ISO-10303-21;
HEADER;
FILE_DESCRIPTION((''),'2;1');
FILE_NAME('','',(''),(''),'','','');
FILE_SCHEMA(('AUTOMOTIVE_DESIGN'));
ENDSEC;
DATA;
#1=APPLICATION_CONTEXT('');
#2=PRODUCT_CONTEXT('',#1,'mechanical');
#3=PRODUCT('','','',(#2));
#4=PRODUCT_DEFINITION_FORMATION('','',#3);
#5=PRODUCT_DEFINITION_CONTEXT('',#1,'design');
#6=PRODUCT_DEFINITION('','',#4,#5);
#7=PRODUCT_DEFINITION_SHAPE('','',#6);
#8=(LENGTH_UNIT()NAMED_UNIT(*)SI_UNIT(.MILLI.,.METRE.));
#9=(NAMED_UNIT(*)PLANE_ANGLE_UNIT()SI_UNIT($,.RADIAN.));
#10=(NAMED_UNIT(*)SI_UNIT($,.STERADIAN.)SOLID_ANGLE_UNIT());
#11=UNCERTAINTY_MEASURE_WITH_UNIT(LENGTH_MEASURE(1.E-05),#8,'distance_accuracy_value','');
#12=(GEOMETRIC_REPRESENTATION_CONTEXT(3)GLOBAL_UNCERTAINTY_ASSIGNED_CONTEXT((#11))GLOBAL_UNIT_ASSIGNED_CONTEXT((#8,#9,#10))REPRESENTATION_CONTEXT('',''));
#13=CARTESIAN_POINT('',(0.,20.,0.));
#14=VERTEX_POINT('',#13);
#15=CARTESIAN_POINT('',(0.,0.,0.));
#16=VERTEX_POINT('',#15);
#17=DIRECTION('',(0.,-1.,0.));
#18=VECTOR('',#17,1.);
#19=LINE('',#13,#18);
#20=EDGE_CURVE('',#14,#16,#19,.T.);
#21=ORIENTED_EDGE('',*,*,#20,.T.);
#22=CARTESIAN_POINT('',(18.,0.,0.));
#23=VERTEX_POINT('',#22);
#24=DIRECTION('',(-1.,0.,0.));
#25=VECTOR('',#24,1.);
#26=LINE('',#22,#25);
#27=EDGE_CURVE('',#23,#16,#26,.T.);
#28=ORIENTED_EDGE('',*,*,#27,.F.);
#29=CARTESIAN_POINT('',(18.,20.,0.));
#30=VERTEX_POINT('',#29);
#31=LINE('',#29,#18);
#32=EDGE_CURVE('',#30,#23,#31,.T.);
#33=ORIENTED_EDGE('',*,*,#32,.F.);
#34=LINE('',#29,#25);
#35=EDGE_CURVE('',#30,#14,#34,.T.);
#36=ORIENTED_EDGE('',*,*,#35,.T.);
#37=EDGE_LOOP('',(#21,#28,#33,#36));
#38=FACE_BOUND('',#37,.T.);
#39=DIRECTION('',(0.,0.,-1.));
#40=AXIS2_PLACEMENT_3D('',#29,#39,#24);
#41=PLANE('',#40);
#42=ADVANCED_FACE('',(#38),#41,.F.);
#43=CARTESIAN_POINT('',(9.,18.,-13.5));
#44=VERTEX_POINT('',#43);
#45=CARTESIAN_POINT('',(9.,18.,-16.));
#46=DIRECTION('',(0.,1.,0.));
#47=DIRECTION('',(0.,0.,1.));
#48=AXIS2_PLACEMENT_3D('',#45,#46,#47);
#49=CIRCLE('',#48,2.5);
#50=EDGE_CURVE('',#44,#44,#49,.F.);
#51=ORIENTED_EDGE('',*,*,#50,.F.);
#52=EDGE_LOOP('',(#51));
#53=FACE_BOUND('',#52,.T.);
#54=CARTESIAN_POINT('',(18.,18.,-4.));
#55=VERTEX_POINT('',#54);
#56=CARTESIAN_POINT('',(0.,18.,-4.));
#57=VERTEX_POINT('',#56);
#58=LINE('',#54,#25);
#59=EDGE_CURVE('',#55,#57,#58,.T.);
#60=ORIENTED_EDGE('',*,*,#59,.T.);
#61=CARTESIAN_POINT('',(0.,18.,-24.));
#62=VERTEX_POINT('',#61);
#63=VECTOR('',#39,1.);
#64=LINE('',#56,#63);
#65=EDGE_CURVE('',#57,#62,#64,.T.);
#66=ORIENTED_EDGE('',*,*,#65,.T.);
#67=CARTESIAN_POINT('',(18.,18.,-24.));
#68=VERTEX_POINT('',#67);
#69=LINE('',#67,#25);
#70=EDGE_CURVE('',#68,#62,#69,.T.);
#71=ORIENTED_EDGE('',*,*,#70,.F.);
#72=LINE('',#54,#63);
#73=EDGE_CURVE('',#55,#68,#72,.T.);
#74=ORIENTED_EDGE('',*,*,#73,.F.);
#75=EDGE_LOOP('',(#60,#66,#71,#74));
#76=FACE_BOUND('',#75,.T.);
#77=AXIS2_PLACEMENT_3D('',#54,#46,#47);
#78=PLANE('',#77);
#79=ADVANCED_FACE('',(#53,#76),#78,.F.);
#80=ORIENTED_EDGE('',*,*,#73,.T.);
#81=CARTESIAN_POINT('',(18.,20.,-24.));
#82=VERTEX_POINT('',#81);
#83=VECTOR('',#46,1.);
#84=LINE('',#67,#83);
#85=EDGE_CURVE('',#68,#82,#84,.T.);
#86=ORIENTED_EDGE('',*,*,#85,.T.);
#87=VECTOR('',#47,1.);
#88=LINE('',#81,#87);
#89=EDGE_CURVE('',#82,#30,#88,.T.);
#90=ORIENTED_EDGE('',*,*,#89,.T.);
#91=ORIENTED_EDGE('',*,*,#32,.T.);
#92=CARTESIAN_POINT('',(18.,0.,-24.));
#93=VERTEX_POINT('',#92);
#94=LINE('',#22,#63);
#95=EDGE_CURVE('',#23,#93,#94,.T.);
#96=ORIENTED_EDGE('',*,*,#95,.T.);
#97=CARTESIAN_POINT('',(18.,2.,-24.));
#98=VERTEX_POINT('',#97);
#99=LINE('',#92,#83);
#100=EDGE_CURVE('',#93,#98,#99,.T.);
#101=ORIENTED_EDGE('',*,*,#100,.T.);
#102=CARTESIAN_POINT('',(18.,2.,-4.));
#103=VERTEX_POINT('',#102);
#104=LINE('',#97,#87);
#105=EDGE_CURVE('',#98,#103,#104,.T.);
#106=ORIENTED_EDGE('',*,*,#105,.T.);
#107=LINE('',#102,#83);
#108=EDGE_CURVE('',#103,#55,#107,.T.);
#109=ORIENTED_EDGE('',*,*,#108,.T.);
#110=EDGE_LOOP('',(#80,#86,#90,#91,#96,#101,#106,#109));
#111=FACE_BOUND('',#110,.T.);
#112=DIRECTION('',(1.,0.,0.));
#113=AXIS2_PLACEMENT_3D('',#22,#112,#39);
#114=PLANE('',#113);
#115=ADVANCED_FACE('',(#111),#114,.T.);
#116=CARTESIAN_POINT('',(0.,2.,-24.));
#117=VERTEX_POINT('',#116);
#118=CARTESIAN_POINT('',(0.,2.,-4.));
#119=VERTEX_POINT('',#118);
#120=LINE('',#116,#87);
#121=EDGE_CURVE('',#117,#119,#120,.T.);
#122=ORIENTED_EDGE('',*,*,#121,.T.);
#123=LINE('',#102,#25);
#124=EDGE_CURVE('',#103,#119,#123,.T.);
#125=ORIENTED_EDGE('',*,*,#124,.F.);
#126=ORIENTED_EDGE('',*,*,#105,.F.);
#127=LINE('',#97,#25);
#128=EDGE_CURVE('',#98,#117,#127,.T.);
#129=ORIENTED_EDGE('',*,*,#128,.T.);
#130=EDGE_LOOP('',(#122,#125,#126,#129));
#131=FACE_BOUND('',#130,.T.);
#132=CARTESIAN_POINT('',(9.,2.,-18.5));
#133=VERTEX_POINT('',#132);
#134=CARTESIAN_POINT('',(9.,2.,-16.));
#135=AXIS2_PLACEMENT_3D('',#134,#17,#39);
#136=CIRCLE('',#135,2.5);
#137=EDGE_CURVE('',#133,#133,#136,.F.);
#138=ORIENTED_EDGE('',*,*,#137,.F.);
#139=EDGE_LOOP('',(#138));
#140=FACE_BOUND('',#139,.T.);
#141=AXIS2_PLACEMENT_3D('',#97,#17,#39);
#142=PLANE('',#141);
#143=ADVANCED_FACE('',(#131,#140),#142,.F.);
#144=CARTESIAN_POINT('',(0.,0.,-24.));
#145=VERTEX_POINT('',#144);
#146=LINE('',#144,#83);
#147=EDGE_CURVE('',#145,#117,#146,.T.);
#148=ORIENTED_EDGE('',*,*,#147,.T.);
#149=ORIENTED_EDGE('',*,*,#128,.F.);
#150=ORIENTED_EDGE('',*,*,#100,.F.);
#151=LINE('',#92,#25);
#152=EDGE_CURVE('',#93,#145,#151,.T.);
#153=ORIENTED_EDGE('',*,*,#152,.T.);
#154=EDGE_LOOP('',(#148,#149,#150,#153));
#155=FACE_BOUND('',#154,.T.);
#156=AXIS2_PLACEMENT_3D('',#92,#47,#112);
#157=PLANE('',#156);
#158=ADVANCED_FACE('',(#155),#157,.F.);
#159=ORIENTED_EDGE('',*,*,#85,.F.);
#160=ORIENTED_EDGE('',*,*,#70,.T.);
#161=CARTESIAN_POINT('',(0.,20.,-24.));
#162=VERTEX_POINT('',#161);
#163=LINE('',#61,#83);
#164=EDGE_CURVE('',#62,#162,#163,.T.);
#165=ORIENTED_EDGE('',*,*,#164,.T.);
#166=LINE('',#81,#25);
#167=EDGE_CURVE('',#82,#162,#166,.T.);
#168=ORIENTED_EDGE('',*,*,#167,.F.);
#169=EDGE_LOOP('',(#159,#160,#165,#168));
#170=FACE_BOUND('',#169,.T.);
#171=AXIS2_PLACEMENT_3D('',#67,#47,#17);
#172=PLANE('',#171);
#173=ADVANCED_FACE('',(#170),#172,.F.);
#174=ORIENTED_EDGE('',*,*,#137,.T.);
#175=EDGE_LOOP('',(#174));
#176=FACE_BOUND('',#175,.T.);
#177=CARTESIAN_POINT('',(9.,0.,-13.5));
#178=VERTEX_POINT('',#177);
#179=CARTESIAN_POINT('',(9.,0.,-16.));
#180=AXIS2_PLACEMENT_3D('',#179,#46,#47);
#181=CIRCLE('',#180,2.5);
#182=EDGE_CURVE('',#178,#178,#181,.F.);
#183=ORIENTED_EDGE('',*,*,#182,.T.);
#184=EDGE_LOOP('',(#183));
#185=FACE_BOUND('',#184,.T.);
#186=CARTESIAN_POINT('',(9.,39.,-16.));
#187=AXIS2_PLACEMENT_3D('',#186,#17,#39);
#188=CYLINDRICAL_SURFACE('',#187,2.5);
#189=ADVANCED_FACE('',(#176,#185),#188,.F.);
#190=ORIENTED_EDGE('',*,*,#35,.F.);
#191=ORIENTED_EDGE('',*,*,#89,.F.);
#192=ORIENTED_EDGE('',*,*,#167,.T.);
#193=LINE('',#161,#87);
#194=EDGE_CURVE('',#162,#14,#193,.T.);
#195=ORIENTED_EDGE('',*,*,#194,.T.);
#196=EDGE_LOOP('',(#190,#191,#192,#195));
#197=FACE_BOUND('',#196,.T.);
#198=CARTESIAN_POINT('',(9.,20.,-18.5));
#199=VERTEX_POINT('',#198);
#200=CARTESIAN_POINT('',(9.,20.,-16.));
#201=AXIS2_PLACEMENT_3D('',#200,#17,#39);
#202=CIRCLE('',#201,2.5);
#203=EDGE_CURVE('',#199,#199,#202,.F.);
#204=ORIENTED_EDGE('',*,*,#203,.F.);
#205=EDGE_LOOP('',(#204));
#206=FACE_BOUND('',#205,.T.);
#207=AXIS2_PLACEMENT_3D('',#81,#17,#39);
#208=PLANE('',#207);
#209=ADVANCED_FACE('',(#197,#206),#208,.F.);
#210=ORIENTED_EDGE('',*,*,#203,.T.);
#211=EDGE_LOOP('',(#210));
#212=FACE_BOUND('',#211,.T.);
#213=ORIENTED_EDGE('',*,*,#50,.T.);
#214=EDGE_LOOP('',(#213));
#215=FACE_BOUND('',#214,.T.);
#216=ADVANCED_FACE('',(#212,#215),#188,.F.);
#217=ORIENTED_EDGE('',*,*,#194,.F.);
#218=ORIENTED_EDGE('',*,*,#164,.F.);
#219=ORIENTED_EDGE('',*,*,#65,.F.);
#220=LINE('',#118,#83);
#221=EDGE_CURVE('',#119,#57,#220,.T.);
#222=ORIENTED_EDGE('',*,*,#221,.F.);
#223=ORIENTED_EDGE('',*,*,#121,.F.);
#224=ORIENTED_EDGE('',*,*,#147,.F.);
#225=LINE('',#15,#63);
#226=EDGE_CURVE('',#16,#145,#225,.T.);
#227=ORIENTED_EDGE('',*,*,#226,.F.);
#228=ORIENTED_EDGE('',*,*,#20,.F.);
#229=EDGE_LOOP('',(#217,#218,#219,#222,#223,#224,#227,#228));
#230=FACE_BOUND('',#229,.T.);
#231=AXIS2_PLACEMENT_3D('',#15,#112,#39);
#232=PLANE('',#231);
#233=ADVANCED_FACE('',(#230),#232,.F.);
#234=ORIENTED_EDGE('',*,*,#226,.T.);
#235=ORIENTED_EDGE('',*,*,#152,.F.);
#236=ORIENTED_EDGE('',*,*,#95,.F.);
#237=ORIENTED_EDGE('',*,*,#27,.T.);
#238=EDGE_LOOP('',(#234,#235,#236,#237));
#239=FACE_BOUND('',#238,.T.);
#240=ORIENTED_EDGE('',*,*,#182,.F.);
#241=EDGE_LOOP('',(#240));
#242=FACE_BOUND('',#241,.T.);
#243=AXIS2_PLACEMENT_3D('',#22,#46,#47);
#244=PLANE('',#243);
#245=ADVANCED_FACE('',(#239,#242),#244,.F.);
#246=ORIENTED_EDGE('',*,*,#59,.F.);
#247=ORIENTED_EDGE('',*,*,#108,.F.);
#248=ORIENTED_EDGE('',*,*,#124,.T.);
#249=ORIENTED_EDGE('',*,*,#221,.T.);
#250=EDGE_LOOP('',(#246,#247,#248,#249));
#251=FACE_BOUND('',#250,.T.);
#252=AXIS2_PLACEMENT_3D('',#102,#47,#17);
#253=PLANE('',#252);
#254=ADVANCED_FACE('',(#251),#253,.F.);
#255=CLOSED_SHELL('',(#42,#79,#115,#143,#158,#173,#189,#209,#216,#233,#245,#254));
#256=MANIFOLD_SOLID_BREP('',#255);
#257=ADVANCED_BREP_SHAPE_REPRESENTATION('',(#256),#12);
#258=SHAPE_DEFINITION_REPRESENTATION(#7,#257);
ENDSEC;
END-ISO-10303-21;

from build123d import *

# Parameters (mm, degrees)
EXTRUDE_1_DEPTH          = 18
CUT_EXTRUDE_1_DEPTH      = 37
CUT_EXTRUDE_1_DEPTH_BACK = 18
SKETCH_2_R               = 2.5


with BuildPart() as part:
    # 草图1 → 凸台-拉伸1 (new body)
    with BuildSketch(Plane(origin=(0, 0, 0), x_dir=(0, 0, -1), z_dir=(1, 0, 0))):
        Polygon((0, 20), (0, 0), (24, 0), (24, 2), (4, 2), (4, 18), (24, 18), (24, 20), align=None)
    extrude(amount=EXTRUDE_1_DEPTH)

    # 草图2 → 切除-拉伸1 (cut, two sides: drawn at the far end of the back side and taken through both)
    with BuildSketch(Plane(origin=(0, 2, 0), x_dir=(1, 0, 0), z_dir=(0, 1, 0)).offset(-CUT_EXTRUDE_1_DEPTH_BACK)):
        with Locations(Location((9, 16, 0), (0, 0, 90))):
            Circle(SKETCH_2_R)
    extrude(amount=CUT_EXTRUDE_1_DEPTH + CUT_EXTRUDE_1_DEPTH_BACK, mode=Mode.SUBTRACT)


solid = part.part
